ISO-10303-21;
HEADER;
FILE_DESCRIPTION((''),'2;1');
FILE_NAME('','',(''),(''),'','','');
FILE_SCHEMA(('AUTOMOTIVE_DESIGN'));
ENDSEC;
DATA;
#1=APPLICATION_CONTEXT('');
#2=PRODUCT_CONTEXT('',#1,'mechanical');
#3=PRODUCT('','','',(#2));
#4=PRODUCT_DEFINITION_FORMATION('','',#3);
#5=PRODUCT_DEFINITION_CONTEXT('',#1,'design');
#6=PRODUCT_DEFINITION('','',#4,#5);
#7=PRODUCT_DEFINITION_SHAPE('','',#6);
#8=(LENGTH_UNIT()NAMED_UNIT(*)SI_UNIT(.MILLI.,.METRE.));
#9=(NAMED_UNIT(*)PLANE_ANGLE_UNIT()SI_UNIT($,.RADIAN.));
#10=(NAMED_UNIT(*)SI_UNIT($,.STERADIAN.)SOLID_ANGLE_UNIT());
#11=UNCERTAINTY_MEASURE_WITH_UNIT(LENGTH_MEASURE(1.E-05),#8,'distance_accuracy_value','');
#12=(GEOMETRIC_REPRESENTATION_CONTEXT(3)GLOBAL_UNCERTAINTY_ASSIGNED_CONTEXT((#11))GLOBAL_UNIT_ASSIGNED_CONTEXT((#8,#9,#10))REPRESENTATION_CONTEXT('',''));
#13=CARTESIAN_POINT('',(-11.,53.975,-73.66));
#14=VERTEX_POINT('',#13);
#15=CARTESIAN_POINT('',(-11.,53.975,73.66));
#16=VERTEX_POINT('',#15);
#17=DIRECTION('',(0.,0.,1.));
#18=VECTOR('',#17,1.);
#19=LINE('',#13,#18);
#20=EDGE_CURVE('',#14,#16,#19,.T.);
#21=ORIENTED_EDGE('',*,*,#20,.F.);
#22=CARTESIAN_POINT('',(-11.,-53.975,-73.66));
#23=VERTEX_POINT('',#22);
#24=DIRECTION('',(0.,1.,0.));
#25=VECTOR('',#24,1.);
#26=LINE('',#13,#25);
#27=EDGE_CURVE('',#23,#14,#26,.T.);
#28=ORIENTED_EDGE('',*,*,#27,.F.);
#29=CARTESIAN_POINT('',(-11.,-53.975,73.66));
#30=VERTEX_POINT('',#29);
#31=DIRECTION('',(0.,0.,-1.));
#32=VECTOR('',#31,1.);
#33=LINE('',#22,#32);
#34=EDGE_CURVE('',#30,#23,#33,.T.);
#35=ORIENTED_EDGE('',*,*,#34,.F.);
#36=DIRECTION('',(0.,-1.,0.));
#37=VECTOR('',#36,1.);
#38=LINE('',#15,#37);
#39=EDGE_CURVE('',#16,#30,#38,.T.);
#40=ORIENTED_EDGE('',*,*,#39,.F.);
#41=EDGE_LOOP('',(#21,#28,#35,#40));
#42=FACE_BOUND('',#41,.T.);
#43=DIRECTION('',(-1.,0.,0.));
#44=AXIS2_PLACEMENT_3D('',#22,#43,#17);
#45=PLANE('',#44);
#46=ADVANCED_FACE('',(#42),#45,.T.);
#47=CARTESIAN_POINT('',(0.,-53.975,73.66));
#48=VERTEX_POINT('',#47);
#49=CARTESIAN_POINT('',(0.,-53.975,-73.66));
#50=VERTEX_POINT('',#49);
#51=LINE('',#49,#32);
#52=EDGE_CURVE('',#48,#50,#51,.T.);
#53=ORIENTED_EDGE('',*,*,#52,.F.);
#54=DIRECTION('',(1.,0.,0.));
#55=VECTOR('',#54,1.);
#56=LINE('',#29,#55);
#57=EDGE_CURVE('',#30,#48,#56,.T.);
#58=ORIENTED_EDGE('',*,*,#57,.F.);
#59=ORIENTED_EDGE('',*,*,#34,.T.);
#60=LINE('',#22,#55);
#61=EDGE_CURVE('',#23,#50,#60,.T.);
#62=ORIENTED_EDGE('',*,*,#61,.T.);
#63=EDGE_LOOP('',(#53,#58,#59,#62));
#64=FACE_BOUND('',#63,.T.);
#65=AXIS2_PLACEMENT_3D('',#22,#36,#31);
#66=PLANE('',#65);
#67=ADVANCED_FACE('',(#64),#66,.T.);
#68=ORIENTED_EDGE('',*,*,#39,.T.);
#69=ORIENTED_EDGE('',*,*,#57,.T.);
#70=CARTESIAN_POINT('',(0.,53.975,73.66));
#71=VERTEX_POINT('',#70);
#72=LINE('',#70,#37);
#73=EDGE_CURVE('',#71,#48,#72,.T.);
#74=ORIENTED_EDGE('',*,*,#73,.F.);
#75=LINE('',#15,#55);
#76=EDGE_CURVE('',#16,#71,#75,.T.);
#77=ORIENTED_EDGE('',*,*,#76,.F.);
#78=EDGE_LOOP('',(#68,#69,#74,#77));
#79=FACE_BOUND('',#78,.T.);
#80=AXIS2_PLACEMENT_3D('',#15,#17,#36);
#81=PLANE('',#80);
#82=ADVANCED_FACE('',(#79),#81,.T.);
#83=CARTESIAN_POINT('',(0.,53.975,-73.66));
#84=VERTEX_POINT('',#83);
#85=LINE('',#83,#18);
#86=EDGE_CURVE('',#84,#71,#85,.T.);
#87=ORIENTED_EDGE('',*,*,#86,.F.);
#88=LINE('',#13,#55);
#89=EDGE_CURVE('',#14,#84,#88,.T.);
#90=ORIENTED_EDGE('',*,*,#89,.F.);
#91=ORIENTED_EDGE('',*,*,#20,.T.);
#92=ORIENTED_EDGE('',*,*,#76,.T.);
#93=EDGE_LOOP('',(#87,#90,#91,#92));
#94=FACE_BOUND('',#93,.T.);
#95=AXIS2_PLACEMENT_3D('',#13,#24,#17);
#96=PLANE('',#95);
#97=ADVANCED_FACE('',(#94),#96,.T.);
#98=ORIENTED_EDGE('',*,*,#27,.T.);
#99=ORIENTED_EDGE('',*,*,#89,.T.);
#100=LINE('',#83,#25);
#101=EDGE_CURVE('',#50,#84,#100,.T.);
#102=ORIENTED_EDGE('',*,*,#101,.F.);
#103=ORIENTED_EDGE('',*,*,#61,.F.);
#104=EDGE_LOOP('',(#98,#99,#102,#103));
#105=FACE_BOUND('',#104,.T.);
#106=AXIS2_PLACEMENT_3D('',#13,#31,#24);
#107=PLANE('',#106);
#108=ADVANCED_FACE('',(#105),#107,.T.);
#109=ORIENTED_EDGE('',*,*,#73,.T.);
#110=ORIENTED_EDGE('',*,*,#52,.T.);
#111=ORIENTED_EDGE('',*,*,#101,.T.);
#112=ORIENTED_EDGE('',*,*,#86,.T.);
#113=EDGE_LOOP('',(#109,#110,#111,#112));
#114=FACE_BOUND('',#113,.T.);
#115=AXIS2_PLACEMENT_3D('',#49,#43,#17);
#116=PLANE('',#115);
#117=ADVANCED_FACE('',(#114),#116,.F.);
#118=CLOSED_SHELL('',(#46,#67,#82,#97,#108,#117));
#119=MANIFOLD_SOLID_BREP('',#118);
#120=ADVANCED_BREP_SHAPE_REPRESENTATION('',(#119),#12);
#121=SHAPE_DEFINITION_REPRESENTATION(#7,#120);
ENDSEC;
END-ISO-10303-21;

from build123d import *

# Parameters (mm, degrees)
SKETCH1_W           = 147.32
SKETCH1_H           = 107.95
BOSS_EXTRUDE1_DEPTH = 11


with BuildPart() as part:
    # Sketch1 → Boss-Extrude1 (new body)
    with BuildSketch(Plane(origin=(0, 0, 0), x_dir=(0, 0, -1), z_dir=(1, 0, 0))):
        Rectangle(SKETCH1_W, SKETCH1_H)
    extrude(amount=-BOSS_EXTRUDE1_DEPTH)


solid = part.part
